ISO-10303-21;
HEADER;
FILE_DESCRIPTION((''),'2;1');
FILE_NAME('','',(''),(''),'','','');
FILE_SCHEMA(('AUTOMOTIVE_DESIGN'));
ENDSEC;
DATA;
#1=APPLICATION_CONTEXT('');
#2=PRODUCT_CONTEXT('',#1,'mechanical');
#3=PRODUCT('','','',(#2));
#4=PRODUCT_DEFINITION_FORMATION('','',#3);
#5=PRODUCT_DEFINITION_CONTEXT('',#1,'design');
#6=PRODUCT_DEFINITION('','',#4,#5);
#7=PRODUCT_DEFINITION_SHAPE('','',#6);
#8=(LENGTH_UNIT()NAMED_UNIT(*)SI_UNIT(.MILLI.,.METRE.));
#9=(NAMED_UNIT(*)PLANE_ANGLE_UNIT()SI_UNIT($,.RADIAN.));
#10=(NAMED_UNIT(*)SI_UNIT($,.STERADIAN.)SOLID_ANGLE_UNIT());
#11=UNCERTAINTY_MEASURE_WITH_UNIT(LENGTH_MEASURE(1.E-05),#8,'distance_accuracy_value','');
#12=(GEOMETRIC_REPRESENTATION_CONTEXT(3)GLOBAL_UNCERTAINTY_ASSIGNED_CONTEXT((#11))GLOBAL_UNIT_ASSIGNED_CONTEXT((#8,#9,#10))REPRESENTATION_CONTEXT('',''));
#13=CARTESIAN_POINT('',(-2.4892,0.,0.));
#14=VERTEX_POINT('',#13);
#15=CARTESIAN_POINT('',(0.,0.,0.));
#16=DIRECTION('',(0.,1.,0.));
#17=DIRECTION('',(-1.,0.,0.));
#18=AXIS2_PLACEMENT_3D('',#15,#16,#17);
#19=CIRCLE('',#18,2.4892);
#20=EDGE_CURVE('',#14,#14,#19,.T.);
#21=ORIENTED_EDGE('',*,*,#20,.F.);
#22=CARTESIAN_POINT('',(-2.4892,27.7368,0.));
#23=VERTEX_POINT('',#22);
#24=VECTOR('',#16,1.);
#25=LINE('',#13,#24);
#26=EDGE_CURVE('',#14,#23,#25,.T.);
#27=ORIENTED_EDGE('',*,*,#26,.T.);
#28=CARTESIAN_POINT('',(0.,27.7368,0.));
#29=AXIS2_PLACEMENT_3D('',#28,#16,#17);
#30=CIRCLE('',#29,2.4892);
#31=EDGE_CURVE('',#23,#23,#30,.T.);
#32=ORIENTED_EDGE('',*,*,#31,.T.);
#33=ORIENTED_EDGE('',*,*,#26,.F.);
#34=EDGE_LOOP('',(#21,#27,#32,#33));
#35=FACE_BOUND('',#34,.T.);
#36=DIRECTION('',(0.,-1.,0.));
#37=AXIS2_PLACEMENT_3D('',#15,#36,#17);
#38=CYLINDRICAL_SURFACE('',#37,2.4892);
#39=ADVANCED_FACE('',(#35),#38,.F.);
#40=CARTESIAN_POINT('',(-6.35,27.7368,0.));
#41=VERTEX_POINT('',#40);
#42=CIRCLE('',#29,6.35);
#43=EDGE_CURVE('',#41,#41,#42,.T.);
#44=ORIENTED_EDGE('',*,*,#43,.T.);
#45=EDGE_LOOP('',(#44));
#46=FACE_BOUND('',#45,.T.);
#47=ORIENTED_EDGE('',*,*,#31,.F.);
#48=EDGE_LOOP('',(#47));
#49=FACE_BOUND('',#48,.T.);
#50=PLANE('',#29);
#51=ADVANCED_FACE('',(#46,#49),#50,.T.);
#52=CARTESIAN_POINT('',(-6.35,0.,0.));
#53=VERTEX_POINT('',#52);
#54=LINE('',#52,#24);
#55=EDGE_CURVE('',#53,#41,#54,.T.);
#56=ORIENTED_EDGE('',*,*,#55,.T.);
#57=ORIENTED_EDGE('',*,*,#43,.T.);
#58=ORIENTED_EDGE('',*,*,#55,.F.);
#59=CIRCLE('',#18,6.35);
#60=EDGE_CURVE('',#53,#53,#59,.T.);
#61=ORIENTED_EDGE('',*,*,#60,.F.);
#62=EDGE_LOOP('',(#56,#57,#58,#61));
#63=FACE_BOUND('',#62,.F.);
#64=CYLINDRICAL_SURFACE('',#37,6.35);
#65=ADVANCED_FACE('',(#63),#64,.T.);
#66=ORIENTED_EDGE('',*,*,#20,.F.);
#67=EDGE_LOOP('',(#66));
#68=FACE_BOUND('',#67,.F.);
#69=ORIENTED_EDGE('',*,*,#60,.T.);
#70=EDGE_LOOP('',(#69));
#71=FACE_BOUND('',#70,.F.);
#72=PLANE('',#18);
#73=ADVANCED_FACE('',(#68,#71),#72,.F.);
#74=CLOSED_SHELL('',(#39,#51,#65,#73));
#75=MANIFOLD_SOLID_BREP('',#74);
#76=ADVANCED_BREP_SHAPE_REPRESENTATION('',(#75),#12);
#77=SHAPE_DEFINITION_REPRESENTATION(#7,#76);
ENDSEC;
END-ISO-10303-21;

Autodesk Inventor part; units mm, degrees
ref_plane "YZ Plane" through (0, 0, 0) normal (1, 0, 0) x (0, 1, 0)
ref_plane "XZ Plane" through (0, 0, 0) normal (0, 1, 0) x (-1, 0, 0)
ref_plane "XY Plane" through (0, 0, 0) normal (0, 0, 1) x (1, 0, 0)
sketch "Sketch1" plane through (0, 0, 0) normal (0, 1, 0) x (-1, 0, 0)
  circle A0 centre (0, 0) radius 6.35
  circle A1 centre (0, 0) radius 2.4892
  dimension "d0" = 12.7
  dimension "d1" = 4.9784
extrude "Extrusion1" add sketch "Sketch1" along normal blind 27.7368
properties part number "sTANDOFF"
